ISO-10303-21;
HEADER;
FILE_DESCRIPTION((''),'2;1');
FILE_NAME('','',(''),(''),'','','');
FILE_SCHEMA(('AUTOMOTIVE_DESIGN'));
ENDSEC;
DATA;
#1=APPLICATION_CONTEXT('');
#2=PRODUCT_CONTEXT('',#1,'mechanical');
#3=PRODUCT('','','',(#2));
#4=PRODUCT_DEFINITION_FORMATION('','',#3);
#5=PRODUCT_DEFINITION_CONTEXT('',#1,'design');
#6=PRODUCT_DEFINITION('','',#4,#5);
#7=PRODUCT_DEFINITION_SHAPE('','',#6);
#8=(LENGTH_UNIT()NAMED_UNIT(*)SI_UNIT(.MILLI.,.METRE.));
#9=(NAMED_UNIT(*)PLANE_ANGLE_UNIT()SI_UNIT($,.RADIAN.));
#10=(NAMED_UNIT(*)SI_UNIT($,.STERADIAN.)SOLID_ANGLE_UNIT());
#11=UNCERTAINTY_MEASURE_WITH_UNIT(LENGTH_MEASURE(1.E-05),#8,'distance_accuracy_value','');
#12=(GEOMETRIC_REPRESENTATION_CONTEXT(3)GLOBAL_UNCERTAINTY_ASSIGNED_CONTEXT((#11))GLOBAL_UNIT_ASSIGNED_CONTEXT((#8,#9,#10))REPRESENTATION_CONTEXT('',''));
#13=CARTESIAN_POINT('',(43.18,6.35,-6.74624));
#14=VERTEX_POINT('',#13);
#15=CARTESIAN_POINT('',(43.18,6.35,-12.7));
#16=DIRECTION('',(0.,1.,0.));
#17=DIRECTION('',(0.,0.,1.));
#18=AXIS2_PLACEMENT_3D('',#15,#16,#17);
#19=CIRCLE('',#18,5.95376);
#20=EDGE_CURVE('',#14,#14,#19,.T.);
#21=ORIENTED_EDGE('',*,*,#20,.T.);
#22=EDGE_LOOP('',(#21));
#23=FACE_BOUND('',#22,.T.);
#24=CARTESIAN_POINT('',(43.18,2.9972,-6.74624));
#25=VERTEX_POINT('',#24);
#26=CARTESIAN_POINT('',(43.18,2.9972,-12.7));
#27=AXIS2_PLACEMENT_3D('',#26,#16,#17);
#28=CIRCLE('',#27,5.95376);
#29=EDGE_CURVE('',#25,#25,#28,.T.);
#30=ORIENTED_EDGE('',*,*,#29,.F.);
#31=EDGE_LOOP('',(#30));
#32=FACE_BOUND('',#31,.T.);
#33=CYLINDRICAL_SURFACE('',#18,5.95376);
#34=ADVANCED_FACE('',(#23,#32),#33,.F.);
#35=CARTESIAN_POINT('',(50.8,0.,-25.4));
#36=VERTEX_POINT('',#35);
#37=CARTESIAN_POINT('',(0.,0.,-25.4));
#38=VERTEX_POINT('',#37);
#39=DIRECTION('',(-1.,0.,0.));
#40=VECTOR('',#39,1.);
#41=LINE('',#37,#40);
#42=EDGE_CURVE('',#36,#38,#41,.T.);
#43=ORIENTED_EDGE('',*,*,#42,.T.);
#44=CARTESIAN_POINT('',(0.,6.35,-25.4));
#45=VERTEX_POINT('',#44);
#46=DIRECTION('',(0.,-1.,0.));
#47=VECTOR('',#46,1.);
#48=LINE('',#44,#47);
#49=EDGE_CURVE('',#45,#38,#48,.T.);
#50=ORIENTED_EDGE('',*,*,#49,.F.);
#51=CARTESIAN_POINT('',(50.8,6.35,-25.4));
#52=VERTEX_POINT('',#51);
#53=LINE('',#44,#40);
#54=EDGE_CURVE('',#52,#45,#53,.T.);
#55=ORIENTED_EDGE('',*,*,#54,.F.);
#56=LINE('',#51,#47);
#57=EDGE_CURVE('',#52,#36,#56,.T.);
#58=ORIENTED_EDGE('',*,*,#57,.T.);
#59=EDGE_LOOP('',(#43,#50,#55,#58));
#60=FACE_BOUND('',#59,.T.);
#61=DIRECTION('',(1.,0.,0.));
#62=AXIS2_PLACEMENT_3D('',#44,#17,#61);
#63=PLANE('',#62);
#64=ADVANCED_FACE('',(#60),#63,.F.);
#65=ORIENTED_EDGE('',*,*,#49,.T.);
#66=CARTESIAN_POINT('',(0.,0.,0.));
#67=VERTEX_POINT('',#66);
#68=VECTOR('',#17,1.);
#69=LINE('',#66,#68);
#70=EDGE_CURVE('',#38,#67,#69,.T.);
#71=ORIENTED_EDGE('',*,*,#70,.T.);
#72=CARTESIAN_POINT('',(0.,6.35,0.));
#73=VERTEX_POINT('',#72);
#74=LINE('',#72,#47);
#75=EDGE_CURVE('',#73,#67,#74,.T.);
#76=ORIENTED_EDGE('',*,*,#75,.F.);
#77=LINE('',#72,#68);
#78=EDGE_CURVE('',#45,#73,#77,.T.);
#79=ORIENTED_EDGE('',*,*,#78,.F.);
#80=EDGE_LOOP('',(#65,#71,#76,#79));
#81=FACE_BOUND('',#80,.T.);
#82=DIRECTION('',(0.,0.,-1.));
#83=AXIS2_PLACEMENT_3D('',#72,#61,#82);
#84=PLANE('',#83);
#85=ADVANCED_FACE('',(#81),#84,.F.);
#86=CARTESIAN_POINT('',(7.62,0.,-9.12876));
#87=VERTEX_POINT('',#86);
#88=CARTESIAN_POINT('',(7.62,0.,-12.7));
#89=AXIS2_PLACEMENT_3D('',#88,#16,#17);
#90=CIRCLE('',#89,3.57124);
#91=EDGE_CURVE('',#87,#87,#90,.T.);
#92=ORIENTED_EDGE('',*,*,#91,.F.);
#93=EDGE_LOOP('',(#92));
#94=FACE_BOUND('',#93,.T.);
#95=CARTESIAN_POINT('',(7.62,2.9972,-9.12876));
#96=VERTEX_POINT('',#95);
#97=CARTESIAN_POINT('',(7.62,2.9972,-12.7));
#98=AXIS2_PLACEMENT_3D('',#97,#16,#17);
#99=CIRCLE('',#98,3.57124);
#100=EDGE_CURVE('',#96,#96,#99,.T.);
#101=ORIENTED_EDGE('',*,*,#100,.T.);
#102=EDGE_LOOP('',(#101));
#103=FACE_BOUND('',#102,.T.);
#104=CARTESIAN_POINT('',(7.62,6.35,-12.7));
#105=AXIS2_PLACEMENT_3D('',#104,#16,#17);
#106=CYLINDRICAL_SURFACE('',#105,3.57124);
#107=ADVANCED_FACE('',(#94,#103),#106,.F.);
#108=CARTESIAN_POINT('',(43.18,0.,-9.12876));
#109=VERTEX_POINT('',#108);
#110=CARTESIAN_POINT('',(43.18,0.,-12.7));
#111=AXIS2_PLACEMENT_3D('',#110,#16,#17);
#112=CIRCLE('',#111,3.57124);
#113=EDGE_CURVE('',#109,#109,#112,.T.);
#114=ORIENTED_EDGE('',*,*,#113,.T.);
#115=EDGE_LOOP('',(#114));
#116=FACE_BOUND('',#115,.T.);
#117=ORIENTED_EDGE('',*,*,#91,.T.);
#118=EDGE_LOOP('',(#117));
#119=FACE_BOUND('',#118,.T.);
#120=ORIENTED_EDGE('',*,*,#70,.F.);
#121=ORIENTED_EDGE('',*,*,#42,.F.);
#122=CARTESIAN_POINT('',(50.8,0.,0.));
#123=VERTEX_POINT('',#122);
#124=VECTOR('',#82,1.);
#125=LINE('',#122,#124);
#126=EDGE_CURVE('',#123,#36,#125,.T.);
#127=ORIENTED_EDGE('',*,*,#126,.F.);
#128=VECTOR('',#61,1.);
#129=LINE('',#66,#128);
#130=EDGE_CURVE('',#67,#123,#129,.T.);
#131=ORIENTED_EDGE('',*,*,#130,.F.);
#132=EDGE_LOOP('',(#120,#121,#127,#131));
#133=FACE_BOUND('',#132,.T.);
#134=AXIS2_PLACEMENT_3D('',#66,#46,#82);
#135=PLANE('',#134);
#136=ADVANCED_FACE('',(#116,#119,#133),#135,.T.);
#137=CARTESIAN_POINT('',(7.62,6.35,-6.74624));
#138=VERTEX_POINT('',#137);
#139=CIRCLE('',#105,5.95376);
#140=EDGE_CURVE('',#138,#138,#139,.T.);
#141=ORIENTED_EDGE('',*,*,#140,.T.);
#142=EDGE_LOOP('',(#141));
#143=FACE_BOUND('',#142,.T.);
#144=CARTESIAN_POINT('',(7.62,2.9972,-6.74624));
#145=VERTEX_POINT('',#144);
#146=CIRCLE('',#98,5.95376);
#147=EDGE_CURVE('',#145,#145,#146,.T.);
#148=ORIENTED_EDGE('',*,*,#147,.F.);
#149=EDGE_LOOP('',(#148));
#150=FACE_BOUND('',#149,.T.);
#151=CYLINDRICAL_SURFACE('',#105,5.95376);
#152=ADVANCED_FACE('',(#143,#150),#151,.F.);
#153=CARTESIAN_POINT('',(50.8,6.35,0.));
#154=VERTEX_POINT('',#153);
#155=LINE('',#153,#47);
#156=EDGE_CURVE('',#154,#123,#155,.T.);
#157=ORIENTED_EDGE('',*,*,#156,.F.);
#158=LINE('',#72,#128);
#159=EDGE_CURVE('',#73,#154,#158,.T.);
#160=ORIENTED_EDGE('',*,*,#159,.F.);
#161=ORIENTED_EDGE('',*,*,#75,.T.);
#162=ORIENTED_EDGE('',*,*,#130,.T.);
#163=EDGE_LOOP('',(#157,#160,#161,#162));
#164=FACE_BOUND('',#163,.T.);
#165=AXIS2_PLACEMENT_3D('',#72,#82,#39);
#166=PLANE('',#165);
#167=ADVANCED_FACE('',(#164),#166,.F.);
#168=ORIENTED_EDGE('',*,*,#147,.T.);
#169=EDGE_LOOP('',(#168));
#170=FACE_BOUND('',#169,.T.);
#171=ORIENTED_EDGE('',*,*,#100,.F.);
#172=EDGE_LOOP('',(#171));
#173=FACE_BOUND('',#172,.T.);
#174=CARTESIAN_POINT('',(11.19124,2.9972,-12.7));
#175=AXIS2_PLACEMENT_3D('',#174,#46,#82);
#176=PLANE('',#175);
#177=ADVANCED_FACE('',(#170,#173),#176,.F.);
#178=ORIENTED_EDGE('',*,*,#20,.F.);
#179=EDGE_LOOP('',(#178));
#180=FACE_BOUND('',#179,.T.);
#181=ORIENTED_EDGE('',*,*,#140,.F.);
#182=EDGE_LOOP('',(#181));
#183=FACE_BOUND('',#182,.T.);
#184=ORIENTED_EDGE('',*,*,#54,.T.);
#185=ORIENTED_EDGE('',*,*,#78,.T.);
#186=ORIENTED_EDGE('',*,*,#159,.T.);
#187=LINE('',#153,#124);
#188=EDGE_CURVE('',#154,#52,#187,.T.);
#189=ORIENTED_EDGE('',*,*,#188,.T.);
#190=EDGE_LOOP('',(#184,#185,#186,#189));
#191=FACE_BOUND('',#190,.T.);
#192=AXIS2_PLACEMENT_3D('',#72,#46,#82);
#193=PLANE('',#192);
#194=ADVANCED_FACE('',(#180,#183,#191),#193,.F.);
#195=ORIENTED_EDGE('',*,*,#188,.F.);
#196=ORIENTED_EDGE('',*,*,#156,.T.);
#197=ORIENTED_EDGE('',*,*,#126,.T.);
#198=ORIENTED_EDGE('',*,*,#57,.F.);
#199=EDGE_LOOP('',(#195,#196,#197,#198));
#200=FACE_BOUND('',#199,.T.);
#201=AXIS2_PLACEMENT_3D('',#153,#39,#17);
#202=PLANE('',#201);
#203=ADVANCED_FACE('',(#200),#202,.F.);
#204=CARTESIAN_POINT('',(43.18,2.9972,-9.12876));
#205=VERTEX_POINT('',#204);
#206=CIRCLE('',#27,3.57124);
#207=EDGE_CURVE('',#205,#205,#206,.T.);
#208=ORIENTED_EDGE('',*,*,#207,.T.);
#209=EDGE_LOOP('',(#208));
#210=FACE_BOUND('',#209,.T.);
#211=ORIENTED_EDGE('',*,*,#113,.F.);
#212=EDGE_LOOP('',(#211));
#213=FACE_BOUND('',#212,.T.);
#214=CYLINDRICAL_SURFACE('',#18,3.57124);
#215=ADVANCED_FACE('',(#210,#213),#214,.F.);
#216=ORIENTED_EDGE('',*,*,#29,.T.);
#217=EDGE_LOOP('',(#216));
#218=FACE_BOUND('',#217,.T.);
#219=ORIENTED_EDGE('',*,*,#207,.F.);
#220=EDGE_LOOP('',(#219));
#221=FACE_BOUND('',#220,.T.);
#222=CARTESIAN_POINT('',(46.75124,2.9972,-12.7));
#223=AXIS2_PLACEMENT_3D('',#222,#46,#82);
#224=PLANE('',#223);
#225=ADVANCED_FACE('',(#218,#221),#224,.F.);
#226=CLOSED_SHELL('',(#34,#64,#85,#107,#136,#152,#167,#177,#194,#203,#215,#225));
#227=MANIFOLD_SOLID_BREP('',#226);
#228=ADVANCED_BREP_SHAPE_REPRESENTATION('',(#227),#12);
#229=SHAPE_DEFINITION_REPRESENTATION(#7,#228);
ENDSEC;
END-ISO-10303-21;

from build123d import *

# Parameters (mm, degrees)
SKETCH1_W                                        = 50.8
SKETCH1_H                                        = 25.4
BOSS_EXTRUDE1_DEPTH                              = 6.35
CBORE_FOR_1_4_BUTTON_HEAD_CAP_SCREW1_D           = 7.14248
CBORE_FOR_1_4_BUTTON_HEAD_CAP_SCREW1_CBORE_D     = 11.90752
CBORE_FOR_1_4_BUTTON_HEAD_CAP_SCREW1_CBORE_DEPTH = 3.3528


with BuildPart() as part:
    # Sketch1 → Boss-Extrude1 (new body)
    with BuildSketch(Plane(origin=(0, 0, 0), x_dir=(1, 0, 0), z_dir=(0, 1, 0))):
        with Locations((25.4, 12.7)):
            Rectangle(SKETCH1_W, SKETCH1_H)
    extrude(amount=BOSS_EXTRUDE1_DEPTH)

    # CBORE for 1/4 Button Head Cap Screw1 (through all)
    with Locations(Plane(origin=(0, 6.35, 0), x_dir=(1, 0, 0), z_dir=(0, 1, 0))):
        with Locations((7.62, 12.7), (43.18, 12.7)):
            CounterBoreHole(CBORE_FOR_1_4_BUTTON_HEAD_CAP_SCREW1_D / 2, CBORE_FOR_1_4_BUTTON_HEAD_CAP_SCREW1_CBORE_D / 2, CBORE_FOR_1_4_BUTTON_HEAD_CAP_SCREW1_CBORE_DEPTH)


solid = part.part
